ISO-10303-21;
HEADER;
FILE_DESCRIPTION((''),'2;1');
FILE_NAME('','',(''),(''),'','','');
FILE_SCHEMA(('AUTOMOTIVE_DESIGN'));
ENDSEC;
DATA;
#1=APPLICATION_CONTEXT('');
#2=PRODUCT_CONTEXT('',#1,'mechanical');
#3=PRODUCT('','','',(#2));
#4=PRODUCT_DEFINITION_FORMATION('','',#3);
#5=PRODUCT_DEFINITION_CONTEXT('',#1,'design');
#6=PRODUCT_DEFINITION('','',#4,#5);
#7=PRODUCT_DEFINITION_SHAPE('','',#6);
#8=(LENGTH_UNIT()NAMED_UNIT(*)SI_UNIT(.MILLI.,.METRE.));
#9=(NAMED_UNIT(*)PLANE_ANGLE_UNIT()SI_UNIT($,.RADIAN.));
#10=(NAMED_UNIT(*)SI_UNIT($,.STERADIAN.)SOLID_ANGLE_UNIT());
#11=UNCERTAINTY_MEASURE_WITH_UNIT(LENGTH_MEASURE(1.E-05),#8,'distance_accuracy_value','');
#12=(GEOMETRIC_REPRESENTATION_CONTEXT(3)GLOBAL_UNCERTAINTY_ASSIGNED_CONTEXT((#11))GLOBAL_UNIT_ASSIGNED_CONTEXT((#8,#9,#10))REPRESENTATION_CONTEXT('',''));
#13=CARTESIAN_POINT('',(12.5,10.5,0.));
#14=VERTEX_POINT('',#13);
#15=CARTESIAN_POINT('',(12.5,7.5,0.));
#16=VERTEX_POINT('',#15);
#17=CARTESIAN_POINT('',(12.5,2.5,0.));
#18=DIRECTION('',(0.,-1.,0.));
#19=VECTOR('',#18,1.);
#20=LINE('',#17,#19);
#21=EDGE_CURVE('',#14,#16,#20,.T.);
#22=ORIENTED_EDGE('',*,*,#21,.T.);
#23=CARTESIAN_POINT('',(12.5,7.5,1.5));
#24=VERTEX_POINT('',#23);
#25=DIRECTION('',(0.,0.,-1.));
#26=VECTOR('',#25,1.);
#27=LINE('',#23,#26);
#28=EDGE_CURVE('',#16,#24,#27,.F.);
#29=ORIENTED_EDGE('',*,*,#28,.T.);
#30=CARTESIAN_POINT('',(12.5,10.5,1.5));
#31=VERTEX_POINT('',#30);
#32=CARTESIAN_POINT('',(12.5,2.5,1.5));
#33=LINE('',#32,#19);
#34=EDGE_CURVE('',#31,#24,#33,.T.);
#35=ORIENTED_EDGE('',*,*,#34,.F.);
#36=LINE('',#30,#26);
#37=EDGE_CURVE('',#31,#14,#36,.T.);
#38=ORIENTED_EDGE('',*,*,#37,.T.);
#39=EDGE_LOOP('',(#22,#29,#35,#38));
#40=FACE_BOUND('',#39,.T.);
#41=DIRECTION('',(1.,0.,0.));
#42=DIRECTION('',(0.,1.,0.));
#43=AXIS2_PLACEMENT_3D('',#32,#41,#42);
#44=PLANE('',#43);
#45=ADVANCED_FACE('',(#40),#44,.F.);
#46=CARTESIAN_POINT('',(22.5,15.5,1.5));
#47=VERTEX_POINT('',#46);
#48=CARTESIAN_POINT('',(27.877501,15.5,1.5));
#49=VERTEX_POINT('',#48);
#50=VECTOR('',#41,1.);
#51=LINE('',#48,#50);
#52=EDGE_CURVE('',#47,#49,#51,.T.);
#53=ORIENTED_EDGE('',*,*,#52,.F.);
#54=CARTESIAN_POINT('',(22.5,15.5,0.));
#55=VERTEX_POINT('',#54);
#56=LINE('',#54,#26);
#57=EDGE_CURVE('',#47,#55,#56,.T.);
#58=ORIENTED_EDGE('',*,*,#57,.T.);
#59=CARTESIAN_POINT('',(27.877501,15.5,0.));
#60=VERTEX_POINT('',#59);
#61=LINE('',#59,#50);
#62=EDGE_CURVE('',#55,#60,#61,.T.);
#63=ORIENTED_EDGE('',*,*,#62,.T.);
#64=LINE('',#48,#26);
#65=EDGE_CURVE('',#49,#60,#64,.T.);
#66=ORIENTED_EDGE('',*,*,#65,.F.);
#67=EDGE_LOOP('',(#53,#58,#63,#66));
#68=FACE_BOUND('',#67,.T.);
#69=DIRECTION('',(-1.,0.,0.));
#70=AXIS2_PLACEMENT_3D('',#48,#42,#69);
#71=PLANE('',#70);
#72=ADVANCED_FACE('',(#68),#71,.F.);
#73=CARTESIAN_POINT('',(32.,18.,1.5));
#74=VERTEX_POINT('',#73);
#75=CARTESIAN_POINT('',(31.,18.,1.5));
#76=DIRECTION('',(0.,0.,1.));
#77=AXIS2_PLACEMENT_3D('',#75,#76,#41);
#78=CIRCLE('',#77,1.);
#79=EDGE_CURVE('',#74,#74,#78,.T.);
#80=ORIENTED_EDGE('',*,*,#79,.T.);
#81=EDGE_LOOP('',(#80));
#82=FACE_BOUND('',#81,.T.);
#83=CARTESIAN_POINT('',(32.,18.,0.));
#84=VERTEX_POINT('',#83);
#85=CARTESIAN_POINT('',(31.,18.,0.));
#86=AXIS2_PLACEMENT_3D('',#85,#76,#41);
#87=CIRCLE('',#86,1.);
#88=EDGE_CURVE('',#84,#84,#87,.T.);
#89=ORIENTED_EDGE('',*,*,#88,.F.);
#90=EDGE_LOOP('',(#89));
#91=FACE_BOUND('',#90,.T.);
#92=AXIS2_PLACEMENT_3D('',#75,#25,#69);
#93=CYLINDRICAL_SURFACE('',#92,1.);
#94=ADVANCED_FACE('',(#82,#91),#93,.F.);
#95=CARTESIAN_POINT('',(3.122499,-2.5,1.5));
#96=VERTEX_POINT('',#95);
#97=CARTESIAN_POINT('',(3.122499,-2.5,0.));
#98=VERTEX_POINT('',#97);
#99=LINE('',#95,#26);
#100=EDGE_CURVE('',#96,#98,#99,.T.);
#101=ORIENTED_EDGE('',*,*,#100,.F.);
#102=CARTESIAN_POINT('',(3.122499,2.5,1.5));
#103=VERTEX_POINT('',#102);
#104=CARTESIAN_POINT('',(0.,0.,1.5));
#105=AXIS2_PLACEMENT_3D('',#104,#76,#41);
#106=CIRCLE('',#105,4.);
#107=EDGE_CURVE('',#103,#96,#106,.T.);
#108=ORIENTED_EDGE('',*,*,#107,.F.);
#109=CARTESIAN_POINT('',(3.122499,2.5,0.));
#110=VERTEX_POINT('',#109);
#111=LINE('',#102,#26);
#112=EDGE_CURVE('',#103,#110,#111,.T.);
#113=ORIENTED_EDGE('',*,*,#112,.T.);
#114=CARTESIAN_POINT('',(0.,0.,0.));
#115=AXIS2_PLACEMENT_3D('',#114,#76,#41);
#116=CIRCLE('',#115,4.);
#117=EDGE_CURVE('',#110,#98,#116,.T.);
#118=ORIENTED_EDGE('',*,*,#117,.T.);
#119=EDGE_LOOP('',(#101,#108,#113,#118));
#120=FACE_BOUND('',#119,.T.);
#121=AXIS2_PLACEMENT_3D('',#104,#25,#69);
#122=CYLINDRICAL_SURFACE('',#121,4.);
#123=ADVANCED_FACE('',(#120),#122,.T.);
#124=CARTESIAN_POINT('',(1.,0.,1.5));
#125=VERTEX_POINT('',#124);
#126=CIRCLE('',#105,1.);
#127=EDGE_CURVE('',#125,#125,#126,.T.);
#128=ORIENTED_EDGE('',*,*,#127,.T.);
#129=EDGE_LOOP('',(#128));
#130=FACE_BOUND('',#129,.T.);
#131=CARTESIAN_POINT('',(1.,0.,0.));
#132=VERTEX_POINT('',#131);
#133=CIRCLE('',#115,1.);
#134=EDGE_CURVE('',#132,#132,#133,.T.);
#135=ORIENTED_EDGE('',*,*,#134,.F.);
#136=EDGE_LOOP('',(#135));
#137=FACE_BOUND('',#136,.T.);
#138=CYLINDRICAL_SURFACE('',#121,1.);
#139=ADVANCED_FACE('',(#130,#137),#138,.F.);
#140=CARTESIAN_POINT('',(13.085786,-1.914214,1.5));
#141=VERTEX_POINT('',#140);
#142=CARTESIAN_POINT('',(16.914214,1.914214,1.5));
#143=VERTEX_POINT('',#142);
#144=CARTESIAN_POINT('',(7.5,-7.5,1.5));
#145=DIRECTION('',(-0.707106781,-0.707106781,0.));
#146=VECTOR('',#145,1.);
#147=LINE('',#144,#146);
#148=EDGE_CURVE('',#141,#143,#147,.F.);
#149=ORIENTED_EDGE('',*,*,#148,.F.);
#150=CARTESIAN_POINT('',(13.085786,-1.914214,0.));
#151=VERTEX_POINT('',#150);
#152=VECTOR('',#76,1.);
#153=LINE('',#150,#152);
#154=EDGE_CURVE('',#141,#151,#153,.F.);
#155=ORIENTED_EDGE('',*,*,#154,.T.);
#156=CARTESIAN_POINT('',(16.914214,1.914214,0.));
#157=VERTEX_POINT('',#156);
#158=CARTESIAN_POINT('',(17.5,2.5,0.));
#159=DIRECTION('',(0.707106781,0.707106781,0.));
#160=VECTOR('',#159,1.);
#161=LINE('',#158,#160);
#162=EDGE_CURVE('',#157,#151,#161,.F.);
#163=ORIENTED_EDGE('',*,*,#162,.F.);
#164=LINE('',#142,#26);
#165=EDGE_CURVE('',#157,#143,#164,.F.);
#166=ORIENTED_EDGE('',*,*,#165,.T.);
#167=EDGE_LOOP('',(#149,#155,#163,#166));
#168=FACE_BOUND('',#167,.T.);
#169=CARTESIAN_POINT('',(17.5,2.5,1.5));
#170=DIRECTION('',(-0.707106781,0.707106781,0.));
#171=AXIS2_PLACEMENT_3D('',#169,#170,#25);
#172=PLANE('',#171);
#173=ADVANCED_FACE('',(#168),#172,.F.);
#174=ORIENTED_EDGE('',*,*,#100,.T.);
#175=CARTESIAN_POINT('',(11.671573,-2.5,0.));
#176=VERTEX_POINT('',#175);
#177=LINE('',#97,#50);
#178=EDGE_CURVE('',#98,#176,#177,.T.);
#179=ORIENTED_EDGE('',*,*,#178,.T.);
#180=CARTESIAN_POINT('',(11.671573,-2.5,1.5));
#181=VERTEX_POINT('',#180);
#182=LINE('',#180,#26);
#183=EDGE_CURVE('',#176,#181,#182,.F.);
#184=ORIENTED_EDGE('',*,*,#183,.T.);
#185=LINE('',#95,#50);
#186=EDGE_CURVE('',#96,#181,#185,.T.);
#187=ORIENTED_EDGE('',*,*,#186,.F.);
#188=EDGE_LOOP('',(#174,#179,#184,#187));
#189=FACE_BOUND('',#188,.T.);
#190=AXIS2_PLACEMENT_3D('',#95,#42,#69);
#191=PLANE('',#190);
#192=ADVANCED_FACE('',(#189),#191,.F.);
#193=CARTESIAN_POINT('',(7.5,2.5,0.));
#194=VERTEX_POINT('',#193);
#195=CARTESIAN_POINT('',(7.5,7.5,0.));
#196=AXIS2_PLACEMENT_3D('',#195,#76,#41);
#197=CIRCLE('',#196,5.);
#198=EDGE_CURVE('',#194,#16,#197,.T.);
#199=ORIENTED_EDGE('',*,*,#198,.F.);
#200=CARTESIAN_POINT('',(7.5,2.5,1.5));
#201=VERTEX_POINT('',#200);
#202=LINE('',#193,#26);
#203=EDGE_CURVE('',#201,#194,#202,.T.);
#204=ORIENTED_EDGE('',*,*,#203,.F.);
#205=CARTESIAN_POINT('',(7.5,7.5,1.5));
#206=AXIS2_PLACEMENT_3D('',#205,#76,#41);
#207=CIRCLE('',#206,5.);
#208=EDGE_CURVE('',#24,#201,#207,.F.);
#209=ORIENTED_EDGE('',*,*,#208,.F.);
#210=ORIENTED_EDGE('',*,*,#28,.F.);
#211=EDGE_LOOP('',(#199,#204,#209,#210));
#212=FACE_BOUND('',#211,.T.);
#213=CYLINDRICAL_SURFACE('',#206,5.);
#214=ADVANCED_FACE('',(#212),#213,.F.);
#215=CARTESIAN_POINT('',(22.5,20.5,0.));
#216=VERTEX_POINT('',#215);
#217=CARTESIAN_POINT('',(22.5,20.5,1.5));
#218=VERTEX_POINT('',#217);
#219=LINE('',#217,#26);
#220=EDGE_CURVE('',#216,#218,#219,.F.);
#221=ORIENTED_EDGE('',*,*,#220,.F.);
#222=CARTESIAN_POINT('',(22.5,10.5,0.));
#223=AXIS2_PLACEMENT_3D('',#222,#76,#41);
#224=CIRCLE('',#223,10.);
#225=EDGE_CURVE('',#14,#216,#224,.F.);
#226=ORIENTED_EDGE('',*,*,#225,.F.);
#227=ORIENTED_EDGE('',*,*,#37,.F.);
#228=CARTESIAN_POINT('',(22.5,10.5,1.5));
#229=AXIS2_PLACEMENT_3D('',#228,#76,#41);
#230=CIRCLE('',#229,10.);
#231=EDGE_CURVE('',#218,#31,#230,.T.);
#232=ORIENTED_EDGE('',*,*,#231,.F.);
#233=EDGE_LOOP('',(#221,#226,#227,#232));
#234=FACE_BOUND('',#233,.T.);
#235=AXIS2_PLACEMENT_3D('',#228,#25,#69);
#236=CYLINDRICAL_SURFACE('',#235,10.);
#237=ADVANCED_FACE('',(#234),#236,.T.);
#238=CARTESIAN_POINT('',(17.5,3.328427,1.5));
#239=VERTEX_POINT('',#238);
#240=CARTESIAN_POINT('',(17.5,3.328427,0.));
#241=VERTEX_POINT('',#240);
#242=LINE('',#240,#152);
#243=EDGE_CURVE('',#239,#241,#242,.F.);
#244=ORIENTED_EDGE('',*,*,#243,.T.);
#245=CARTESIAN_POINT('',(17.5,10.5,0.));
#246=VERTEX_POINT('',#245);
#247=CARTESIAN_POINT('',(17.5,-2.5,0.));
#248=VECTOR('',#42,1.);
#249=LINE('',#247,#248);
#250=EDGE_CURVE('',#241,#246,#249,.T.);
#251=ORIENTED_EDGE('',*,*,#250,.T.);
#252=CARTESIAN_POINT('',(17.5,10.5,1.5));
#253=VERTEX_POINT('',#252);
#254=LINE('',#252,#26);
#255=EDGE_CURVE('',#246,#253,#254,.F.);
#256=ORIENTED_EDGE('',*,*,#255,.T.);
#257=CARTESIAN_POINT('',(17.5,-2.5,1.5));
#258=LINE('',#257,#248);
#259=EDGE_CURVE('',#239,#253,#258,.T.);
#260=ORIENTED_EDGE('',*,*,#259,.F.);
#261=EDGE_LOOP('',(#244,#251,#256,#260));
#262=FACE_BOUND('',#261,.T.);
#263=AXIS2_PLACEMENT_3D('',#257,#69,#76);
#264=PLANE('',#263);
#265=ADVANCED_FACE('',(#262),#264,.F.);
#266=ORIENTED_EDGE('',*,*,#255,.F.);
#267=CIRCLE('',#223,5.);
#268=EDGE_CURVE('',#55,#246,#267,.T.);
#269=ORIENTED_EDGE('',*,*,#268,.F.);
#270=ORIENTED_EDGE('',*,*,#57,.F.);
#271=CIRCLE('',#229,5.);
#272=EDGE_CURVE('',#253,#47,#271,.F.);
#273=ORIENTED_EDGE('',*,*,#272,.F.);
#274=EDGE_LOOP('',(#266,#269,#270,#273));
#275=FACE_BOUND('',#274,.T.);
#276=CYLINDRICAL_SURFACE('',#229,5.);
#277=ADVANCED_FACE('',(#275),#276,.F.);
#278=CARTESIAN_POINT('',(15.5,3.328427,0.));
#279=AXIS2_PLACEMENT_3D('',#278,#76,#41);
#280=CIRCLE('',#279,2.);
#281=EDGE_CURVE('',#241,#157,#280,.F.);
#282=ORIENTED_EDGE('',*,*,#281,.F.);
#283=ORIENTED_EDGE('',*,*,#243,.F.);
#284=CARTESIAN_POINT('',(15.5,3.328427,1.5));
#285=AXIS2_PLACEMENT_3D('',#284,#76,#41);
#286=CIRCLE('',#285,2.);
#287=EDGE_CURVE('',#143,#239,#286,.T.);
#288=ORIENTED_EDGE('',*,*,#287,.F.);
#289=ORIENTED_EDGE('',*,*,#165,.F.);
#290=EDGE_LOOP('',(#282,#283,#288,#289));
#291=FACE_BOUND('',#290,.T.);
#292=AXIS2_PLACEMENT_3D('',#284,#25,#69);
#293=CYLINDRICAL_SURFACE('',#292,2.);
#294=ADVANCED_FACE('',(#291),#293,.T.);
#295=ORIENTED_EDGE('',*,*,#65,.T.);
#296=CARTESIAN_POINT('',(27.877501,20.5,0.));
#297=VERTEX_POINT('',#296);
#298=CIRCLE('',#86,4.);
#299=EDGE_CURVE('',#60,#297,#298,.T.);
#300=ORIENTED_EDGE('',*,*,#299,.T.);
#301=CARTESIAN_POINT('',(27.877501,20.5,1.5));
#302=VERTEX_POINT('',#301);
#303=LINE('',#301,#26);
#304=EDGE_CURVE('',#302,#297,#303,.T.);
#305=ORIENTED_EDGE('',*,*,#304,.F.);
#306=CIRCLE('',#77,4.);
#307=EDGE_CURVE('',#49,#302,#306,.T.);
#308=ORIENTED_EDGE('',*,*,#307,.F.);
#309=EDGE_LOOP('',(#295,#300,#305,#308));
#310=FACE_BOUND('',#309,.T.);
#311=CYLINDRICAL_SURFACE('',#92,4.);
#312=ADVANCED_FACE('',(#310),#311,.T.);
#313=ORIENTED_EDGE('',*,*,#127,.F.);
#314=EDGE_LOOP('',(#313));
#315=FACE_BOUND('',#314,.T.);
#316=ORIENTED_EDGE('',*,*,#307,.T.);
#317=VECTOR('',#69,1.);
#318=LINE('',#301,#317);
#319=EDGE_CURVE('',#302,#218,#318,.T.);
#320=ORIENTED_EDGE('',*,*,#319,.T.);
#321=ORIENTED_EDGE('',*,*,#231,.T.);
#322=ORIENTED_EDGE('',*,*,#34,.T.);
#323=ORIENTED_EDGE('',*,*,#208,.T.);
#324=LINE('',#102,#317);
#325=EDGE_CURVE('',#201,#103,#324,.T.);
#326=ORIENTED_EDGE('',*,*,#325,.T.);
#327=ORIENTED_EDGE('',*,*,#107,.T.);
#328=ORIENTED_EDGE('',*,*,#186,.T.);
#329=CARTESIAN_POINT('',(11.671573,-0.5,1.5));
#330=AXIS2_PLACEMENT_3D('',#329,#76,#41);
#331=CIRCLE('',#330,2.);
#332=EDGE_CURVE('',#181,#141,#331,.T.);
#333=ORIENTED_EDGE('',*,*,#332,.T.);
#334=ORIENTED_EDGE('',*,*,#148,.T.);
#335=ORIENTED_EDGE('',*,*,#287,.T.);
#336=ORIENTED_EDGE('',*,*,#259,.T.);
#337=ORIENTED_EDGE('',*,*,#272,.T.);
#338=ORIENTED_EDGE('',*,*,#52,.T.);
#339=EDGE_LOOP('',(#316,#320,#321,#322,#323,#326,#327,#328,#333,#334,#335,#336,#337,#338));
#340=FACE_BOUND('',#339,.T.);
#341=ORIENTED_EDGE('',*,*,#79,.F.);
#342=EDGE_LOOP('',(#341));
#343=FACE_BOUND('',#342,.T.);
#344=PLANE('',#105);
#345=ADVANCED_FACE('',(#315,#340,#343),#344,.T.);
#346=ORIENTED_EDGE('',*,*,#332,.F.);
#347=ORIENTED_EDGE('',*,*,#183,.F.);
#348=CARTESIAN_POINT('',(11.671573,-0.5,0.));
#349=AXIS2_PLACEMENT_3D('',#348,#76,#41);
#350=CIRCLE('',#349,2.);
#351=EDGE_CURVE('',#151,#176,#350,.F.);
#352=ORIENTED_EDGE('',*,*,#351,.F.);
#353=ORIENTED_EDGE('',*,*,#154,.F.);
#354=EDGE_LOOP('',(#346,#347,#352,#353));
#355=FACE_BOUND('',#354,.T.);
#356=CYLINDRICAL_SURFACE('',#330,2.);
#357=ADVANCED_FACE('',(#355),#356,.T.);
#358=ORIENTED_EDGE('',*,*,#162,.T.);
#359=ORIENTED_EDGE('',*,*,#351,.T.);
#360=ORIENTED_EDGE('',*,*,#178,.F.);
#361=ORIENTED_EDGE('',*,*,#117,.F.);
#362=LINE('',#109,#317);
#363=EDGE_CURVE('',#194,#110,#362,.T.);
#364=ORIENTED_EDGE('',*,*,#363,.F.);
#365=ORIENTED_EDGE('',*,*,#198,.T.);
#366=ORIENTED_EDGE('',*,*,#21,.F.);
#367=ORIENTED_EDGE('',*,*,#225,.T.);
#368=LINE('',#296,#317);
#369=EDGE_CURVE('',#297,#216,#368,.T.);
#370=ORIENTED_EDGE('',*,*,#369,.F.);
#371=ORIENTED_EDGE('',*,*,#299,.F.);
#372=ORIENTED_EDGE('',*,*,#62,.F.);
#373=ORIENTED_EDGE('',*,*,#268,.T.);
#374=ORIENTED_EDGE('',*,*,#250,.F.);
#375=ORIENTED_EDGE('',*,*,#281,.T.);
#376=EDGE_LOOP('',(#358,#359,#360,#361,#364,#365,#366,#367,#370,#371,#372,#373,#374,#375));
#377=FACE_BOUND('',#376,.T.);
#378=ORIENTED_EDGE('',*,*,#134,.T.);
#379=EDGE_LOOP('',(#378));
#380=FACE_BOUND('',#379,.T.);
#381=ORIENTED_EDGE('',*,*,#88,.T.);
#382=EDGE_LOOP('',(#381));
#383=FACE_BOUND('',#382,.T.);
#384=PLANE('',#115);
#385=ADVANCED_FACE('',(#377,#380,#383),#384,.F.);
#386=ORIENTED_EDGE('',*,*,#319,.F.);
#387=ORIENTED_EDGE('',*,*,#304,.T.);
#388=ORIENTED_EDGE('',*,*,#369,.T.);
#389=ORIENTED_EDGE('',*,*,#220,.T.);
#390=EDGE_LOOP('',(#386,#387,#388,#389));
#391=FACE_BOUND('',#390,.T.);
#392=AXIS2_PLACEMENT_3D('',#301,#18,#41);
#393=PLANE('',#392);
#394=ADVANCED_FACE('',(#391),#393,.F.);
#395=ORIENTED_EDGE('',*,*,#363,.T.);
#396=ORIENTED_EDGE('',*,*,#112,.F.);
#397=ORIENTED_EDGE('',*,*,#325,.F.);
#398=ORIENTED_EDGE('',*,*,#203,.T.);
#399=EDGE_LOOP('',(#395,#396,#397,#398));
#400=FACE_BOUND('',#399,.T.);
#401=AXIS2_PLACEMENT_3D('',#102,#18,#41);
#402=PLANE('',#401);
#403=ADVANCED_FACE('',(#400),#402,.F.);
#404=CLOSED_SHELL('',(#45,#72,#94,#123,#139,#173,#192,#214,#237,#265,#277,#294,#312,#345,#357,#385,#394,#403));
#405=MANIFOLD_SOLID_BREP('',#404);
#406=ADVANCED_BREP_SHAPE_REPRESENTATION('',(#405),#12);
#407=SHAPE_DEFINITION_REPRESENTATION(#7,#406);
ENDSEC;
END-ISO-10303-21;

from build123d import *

# Parameters (mm, degrees)
SKETCH1_R           = 1
BOSS_EXTRUDE1_DEPTH = 1.5
FILLET1_R           = 10
FILLET2_R           = 5
FILLET3_R           = 5
CHAMFER1_SIZE       = 5
FILLET4_R           = 2


with BuildPart() as part:
    # Sketch1 → Boss-Extrude1 (new body)
    with BuildSketch(Plane.XY):
        with BuildLine():
            Line((3.122498999, 2.5), (12.5, 2.5))
            Line((12.5, 2.5), (12.5, 20.5))
            Line((12.5, 20.5), (27.877501001, 20.5))
            ThreePointArc((27.877501001, 20.5), (35, 18), (27.877501001, 15.5))
            Line((27.877501001, 15.5), (17.5, 15.5))
            Line((17.5, 15.5), (17.5, -2.5))
            Line((17.5, -2.5), (3.122498999, -2.5))
            ThreePointArc((3.122498999, -2.5), (-4, 0), (3.122498999, 2.5))
        make_face()
        Circle(SKETCH1_R, mode=Mode.SUBTRACT)
        with Locations((31, 18)):
            Circle(SKETCH1_R, mode=Mode.SUBTRACT)
    extrude(amount=BOSS_EXTRUDE1_DEPTH)

    # Fillet1
    fillet1_edges = [part.edges().sort_by_distance(p)[0] for p in [
        (12.5, 20.5, 0.75),
    ]]
    fillet(fillet1_edges, radius=FILLET1_R)

    # Fillet2
    fillet2_edges = [part.edges().sort_by_distance(p)[0] for p in [
        (17.5, 15.5, 0.75),
    ]]
    fillet(fillet2_edges, radius=FILLET2_R)

    # Fillet3
    fillet3_edges = [part.edges().sort_by_distance(p)[0] for p in [
        (12.5, 2.5, 0.75),
    ]]
    fillet(fillet3_edges, radius=FILLET3_R)

    # Chamfer1
    chamfer1_edges = [part.edges().sort_by_distance(p)[0] for p in [
        (17.5, -2.5, 0.75),
    ]]
    chamfer(chamfer1_edges, length=CHAMFER1_SIZE)

    # Fillet4
    fillet4_edges = [part.edges().sort_by_distance(p)[0] for p in [
        (17.5, 2.5, 0.75),
        (12.5, -2.5, 0.75),
    ]]
    fillet(fillet4_edges, radius=FILLET4_R)


solid = part.part
